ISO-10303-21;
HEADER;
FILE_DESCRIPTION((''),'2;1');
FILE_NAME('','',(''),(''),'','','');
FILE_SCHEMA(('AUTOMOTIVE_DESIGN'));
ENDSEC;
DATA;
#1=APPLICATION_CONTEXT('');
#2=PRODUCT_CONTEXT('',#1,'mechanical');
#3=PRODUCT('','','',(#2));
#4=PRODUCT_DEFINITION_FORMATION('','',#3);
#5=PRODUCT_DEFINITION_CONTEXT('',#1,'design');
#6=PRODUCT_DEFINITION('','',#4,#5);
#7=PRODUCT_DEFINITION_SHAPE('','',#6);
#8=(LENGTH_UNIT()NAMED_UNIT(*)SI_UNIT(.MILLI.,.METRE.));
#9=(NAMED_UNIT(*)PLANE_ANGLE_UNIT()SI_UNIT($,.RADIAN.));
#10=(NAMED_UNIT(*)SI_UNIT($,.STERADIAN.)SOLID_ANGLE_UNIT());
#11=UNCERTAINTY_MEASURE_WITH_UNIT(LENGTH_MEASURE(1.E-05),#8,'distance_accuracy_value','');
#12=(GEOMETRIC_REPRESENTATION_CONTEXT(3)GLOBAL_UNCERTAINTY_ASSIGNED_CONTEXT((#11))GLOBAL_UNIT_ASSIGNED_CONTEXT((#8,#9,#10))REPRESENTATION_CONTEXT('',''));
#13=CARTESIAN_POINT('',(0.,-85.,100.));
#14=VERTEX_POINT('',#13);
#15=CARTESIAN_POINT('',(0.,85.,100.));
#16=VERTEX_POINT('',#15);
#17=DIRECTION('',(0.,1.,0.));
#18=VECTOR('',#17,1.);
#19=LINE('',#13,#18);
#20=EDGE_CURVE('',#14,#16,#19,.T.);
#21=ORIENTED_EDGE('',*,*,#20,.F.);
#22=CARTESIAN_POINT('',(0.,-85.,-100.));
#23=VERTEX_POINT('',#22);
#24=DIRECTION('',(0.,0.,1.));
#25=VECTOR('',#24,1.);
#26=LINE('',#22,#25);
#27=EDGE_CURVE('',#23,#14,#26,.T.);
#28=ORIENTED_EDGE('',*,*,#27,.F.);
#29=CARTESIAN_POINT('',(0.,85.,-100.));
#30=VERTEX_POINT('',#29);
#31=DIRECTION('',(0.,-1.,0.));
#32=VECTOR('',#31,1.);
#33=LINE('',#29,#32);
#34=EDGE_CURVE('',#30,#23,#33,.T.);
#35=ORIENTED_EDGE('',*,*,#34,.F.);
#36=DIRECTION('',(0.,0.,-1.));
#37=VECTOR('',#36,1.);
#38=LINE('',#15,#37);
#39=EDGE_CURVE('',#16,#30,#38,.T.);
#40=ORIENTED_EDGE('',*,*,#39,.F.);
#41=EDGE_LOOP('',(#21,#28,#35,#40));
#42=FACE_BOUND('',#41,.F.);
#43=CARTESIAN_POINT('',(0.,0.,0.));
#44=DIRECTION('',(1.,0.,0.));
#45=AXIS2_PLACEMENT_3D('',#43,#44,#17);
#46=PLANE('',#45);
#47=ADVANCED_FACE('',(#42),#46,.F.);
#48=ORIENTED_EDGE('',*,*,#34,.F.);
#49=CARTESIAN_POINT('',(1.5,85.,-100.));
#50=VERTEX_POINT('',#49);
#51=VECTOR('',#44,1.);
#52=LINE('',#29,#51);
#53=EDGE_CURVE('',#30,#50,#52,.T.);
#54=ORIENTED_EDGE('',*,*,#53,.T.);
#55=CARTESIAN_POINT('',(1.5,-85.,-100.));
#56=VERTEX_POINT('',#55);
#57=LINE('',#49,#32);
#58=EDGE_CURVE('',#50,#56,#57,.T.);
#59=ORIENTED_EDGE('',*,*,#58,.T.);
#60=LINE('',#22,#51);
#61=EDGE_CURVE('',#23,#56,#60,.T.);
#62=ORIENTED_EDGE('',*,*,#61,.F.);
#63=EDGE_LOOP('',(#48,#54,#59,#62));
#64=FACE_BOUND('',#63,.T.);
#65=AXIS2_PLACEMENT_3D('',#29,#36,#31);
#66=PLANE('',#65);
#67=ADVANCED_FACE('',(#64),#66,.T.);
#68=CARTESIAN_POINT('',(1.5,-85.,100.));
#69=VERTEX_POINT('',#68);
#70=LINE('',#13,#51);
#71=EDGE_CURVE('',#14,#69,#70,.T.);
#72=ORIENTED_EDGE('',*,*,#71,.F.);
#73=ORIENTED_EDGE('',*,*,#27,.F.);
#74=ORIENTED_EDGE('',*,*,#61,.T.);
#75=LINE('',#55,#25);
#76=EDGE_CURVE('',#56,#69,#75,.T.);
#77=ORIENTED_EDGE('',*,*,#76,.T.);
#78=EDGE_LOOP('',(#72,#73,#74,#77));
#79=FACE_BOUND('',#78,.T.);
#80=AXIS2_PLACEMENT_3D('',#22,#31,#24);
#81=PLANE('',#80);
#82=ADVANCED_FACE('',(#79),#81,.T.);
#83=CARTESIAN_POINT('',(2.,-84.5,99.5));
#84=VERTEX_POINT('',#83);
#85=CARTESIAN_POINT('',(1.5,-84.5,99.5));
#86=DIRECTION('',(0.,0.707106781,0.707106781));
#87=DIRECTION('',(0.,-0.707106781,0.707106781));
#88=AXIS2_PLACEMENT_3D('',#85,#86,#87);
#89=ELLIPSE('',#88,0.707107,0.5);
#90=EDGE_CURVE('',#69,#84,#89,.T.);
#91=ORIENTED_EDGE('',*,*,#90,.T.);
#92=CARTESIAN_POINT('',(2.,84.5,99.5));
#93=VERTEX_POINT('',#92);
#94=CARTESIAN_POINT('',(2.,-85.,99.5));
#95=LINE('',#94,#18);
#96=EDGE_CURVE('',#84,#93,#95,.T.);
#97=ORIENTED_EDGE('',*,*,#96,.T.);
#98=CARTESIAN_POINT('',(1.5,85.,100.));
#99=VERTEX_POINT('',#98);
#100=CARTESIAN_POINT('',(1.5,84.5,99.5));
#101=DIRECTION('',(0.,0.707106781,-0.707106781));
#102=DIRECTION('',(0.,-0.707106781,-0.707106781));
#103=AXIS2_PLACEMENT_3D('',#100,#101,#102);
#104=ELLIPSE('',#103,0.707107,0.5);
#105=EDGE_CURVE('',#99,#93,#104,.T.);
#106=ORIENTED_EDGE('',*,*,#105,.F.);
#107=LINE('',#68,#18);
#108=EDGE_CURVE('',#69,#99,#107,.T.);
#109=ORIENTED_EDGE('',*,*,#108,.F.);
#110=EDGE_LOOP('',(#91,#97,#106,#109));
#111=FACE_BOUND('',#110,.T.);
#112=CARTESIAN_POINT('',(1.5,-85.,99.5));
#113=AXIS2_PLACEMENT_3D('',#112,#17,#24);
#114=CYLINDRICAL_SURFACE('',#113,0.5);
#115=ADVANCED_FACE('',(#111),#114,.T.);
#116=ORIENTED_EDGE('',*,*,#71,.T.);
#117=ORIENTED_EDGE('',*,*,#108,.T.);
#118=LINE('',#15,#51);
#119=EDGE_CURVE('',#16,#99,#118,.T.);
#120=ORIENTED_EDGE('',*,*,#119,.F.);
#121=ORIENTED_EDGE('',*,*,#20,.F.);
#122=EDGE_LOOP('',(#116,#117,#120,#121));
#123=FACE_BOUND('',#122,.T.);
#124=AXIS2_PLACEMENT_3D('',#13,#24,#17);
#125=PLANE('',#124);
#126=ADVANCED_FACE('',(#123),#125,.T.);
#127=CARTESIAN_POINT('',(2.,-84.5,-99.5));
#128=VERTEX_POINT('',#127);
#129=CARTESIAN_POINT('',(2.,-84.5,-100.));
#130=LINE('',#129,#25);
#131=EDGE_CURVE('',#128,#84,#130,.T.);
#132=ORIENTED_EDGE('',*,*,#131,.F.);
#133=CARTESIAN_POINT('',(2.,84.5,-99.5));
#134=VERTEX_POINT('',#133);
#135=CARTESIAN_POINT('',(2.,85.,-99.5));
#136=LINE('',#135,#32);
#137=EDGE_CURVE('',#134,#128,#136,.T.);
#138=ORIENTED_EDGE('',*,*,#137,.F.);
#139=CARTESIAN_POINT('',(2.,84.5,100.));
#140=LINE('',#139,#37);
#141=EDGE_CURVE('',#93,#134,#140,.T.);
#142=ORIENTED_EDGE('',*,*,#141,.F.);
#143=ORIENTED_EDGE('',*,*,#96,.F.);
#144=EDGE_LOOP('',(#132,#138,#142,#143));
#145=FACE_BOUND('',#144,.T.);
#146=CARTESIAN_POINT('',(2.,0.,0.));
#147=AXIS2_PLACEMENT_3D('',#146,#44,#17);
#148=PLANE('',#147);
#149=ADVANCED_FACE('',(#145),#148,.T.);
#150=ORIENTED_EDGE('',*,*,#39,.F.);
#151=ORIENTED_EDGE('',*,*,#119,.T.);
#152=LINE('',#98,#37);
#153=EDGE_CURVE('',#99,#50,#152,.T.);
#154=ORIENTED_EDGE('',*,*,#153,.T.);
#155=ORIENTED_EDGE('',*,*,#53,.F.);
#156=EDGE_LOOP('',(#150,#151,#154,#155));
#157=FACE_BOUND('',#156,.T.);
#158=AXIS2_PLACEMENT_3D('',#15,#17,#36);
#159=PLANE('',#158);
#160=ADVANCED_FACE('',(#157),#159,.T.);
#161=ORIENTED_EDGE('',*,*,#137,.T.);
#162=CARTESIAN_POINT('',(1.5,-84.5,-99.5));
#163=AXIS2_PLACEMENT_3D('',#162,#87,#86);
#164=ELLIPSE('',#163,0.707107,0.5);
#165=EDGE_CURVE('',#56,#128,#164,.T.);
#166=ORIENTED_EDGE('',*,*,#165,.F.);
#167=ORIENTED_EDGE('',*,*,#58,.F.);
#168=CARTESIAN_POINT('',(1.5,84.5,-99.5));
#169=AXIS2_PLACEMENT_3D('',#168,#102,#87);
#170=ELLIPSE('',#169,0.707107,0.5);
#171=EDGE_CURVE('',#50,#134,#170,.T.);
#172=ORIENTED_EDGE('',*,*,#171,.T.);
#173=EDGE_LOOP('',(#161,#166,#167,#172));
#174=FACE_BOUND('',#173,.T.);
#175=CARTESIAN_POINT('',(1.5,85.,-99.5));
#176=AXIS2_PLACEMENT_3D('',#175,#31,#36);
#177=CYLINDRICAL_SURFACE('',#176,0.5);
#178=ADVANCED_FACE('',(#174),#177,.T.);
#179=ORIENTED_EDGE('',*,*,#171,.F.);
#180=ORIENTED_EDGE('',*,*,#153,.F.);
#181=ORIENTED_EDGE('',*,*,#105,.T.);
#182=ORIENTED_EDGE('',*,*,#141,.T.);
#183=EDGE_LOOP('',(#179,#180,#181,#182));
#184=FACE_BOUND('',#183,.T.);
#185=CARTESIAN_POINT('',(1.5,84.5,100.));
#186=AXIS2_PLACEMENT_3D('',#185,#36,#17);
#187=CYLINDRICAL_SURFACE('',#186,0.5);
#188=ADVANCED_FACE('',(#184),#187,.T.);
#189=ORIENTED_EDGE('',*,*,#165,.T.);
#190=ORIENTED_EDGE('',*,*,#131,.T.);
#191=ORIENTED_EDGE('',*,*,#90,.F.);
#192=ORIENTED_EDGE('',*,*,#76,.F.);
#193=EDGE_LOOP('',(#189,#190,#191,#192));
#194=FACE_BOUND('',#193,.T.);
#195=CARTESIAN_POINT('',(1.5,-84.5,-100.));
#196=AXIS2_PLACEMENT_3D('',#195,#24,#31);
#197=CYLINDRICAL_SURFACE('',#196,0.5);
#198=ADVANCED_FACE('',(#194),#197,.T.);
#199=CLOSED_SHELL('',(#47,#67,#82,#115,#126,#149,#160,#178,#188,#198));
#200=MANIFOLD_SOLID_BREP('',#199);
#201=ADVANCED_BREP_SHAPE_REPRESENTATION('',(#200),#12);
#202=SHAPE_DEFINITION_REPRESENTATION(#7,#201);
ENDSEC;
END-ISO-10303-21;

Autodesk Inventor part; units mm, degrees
ref_plane "YZ Plane" through (0, 0, 0) normal (1, 0, 0) x (0, 1, 0)
ref_plane "XZ Plane" through (0, 0, 0) normal (0, 1, 0) x (-1, 0, 0)
ref_plane "XY Plane" through (0, 0, 0) normal (0, 0, 1) x (1, 0, 0)
sketch "Sketch1" plane through (0, 0, 0) normal (1, 0, 0) x (0, 1, 0)
  line L0 (-85, 100) -> (85, 100)
  line L1 (85, 100) -> (85, -100)
  line L2 (85, -100) -> (-85, -100)
  line L3 (-85, -100) -> (-85, 100)
  line L4 (-85, 100) -> (85, -100) construction
  line L5 (85, 100) -> (-85, -100) construction
  point P0 (0, 0)
  dimension "d0" = 170
  dimension "d1" = 200
extrude "Extrusion1" add sketch "Sketch1" along normal blind 2
fillet "Fillet1" radius 0.5 4 edges at (2, -85, 0) (2, 0, -100) (2, 85, 0) (2, 0, 100)
properties part number "solar3"
